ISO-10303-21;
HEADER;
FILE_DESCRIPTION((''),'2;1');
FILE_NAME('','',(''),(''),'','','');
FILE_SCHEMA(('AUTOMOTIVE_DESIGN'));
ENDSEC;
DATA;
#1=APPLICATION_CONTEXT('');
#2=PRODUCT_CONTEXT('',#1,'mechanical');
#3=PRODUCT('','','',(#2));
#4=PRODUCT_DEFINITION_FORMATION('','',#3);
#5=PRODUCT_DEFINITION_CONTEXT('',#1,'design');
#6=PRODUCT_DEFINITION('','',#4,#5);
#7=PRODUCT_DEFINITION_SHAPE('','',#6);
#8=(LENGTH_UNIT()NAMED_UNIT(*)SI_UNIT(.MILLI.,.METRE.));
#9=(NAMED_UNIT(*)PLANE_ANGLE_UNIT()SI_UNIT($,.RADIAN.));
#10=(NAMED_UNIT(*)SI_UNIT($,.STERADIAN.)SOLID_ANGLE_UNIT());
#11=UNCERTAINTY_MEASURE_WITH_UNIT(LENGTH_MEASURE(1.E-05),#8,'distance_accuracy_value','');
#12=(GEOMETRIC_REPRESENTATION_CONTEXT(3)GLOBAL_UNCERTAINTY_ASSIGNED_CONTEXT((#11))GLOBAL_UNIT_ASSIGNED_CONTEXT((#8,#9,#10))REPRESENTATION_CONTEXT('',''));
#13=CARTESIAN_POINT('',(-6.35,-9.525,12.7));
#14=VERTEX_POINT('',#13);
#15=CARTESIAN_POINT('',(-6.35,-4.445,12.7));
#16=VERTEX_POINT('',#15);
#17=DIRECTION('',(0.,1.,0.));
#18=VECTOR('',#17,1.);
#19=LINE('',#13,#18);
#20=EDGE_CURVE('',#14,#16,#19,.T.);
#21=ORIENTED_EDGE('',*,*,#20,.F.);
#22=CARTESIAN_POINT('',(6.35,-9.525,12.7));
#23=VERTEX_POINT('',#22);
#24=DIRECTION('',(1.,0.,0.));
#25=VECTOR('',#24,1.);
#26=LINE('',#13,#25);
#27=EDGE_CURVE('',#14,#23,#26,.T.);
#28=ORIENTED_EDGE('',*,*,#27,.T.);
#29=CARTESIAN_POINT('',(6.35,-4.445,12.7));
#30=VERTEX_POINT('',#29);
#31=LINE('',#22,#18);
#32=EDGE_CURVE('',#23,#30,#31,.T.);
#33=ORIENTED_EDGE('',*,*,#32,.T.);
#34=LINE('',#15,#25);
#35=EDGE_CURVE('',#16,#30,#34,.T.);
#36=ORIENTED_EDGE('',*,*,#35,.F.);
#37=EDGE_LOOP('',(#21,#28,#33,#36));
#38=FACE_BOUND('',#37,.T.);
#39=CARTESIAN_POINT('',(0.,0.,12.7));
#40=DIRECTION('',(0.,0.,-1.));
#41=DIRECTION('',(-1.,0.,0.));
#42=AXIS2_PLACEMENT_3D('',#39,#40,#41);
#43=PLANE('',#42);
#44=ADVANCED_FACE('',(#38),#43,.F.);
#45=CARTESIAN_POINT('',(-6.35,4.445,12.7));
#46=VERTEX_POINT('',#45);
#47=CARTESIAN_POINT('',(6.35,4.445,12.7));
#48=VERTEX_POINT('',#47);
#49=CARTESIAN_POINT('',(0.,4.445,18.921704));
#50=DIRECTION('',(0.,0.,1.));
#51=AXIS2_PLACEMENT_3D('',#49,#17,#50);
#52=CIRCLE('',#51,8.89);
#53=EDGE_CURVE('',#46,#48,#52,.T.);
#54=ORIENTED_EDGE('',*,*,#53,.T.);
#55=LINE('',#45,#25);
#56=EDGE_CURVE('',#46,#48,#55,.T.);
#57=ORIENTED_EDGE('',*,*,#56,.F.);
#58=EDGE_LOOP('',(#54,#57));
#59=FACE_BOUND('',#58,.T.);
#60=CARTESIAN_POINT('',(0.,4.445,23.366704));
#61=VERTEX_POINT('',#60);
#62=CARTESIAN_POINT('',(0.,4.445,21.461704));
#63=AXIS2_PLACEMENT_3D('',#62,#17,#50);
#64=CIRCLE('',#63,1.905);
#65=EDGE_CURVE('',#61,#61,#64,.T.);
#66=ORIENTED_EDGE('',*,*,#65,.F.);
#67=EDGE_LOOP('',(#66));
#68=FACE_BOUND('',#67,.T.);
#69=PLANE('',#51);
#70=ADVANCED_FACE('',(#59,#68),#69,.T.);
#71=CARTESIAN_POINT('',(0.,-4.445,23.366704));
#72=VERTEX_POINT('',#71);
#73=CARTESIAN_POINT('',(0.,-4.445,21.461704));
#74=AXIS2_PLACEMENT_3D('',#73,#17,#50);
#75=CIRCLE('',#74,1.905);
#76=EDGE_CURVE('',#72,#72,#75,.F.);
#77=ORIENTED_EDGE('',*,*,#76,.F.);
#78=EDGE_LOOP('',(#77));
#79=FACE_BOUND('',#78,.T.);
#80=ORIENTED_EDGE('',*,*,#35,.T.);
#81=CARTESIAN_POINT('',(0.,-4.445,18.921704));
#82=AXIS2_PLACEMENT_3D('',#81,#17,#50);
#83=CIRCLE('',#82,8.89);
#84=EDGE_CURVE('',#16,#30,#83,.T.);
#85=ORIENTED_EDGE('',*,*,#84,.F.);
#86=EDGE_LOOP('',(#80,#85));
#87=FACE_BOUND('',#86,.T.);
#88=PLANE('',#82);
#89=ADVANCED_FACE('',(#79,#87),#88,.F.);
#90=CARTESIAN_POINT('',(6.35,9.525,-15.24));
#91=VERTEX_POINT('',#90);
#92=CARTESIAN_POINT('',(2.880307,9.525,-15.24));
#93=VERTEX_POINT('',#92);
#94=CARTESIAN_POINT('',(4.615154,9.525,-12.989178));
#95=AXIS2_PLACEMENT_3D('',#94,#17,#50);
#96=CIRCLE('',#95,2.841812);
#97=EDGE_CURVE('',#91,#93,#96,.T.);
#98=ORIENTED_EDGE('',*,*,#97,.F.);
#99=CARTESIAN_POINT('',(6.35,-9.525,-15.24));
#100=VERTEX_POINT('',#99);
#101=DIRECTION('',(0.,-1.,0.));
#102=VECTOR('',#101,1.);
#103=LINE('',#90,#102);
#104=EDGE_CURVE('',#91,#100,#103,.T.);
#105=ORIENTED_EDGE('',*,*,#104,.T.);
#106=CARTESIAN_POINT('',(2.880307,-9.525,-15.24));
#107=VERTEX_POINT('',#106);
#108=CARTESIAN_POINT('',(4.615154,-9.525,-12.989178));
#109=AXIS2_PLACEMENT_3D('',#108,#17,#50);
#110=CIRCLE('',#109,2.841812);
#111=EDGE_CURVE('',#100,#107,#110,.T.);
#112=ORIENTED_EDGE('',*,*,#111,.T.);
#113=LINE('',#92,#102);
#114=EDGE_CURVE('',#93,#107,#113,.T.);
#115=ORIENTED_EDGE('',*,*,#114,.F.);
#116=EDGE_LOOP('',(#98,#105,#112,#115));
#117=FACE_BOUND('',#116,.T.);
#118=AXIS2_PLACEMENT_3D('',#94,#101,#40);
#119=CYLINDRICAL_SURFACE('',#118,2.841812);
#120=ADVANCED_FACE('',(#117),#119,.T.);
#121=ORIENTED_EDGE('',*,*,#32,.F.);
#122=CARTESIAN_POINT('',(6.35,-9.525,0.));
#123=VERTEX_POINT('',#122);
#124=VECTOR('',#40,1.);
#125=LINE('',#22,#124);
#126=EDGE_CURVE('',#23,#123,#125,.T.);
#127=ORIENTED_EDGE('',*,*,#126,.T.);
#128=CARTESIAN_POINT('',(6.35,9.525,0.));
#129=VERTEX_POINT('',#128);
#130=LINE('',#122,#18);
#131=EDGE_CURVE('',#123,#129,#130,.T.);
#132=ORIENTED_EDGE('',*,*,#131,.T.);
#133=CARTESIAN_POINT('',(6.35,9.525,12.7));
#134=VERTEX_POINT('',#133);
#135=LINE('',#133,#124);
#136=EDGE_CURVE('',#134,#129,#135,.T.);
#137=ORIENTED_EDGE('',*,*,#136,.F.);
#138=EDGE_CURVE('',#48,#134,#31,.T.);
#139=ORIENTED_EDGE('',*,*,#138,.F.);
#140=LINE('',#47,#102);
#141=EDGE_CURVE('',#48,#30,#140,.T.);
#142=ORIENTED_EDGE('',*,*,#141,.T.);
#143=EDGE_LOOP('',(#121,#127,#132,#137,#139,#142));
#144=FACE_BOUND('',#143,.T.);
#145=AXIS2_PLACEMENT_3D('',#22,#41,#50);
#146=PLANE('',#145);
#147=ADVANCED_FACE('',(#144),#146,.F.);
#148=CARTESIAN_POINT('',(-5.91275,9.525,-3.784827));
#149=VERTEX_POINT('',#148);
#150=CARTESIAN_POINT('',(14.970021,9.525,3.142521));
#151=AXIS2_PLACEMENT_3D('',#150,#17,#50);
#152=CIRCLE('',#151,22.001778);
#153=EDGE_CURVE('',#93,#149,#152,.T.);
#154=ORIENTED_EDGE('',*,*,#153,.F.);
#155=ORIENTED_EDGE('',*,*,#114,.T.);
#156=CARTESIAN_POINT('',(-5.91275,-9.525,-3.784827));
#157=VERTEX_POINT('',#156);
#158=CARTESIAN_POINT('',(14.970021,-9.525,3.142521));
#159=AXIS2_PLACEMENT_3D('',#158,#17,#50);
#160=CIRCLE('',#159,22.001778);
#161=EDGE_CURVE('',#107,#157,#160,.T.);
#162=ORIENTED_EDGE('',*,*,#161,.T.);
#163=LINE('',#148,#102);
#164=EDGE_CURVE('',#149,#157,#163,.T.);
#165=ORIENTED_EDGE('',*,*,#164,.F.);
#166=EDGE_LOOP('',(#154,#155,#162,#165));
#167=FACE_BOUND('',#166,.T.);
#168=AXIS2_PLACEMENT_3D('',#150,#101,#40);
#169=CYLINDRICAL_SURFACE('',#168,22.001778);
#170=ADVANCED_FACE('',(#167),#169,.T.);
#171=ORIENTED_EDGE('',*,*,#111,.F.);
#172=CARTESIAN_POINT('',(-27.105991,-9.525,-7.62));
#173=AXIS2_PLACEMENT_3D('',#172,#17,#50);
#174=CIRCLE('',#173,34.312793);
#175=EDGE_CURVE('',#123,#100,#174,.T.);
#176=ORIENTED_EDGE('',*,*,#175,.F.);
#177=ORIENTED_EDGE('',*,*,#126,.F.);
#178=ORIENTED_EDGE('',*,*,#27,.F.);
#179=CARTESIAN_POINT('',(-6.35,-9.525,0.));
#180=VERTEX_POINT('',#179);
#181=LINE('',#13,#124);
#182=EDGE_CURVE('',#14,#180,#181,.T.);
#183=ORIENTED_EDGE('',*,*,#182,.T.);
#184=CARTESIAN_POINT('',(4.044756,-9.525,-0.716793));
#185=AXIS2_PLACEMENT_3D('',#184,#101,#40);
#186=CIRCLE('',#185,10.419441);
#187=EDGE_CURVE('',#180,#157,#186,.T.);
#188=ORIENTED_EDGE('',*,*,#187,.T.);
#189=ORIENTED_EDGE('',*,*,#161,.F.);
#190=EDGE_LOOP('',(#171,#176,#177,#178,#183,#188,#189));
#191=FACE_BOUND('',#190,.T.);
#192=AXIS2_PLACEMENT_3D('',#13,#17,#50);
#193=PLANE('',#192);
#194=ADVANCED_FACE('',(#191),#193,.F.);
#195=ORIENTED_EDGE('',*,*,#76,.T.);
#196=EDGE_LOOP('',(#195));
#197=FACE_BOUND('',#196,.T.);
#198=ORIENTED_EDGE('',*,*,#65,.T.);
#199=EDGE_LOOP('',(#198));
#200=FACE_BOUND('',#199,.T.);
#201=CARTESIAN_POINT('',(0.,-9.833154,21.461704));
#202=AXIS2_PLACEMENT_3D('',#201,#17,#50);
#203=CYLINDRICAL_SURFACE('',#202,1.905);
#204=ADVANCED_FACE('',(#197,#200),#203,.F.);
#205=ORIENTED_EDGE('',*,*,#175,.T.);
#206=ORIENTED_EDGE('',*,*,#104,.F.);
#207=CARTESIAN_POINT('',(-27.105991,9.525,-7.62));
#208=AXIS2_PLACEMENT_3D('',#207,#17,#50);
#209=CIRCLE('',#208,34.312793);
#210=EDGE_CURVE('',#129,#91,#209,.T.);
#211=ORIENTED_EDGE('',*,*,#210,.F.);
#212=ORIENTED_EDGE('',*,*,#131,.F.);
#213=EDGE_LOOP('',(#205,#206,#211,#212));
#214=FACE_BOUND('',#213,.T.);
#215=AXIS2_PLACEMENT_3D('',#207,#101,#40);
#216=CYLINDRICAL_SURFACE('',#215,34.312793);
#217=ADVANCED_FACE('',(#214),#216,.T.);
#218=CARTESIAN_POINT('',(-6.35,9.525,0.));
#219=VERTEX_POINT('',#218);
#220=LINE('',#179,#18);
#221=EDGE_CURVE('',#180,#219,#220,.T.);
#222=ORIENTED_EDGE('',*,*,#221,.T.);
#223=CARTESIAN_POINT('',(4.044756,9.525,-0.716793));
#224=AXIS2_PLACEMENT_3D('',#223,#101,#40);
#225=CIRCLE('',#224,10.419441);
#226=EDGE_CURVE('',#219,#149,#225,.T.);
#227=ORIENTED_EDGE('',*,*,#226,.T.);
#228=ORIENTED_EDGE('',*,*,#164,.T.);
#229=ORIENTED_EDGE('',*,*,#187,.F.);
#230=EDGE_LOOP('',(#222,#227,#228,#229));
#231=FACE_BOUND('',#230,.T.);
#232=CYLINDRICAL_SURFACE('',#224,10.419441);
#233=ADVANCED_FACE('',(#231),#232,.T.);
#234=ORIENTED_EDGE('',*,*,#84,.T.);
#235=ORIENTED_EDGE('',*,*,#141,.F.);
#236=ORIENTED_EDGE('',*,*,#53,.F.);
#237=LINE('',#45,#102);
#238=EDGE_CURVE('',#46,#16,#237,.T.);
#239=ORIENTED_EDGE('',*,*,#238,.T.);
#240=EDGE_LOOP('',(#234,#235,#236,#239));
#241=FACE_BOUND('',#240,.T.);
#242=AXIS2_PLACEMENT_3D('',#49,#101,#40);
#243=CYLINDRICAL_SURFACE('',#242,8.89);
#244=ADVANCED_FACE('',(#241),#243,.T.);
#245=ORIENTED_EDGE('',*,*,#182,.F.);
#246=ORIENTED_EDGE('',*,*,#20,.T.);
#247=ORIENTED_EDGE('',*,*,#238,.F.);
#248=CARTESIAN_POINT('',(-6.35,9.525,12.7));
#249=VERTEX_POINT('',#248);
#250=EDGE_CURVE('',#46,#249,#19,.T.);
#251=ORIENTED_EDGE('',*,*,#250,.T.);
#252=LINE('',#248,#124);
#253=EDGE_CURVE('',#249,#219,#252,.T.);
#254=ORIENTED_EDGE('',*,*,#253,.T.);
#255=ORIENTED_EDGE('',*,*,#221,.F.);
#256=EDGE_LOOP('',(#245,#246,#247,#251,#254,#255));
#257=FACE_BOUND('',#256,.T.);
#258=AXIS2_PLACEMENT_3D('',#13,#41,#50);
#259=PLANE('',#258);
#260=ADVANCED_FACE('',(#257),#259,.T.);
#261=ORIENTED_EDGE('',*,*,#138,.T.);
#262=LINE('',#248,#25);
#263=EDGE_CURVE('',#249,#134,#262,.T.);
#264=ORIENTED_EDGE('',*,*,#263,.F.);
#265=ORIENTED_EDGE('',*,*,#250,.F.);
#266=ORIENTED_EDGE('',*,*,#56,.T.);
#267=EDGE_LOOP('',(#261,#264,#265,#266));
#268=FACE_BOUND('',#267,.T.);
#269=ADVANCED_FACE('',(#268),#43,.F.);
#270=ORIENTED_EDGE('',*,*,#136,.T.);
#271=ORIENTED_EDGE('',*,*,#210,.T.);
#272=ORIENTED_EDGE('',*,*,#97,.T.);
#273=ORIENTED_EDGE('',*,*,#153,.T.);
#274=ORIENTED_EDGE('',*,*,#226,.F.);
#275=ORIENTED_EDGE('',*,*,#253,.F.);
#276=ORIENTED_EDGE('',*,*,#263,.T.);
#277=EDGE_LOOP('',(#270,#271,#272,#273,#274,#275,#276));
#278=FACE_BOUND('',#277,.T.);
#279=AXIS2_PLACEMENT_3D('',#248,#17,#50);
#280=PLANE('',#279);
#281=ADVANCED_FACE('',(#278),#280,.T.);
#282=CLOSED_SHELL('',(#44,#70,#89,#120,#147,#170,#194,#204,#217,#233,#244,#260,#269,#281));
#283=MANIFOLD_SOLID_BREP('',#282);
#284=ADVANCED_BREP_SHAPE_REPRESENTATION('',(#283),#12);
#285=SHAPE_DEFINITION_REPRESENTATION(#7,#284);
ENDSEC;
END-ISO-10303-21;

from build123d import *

# Parameters (mm, degrees)
SKETCH1_W                = 12.7
SKETCH1_H                = 19.05
BOSS_EXTRUDE1_DEPTH      = 12.7
BOSS_EXTRUDE3_DEPTH      = 4.445
BOSS_EXTRUDE3_DEPTH_BACK = 14.605
BOSS_EXTRUDE5_DEPTH      = 4.445
SKETCH9_R                = 1.905
CUT_EXTRUDE1_DEPTH       = 8.89


with BuildPart() as part:
    # Sketch1 → Boss-Extrude1 (new body)
    with BuildSketch(Plane.XY):
        Rectangle(SKETCH1_W, SKETCH1_H)
    extrude(amount=BOSS_EXTRUDE1_DEPTH)

    # Sketch5 → Boss-Extrude3 (add, two sides)
    with BuildSketch(Plane(origin=(0, 5.08, 0), x_dir=(1, 0, 0), z_dir=(0, 1, 0))) as boss_extrude3_sk:
        with BuildLine():
            Line((-6.35, 0), (6.35, 0))
            ThreePointArc((6.35, 0), (7.206801568, 7.62), (6.35, 15.24))
            ThreePointArc((6.35, 15.24), (4.615153625, 15.830989255), (2.88030725, 15.24))
            ThreePointArc((2.88030725, 15.24), (-2.482813439, 10.254375056), (-5.912749562, 3.784826555))
            ThreePointArc((-5.912749562, 3.784826555), (-6.305841352, 1.912568913), (-6.35, 0))
        make_face()
    extrude(amount=BOSS_EXTRUDE3_DEPTH)
    extrude(boss_extrude3_sk.sketch, amount=-BOSS_EXTRUDE3_DEPTH_BACK)

    # Sketch8 → Boss-Extrude5 (add, symmetric)
    with BuildSketch(Plane(origin=(0, 0, 0), x_dir=(1, 0, 0), z_dir=(0, 1, 0))):
        with BuildLine():
            Line((-6.35, -12.7), (6.35, -12.7))
            ThreePointArc((6.35, -12.7), (0, -27.811703947), (-6.35, -12.7))
        make_face()
    extrude(amount=BOSS_EXTRUDE5_DEPTH, both=True)

    # Sketch9 → Cut-Extrude1 (cut)
    with BuildSketch(Plane(origin=(0, 4.445, 0), x_dir=(1, 0, 0), z_dir=(0, 1, 0))):
        with Locations(Location((0, -21.461703947, 0), (0, 0, 270))):  # turned: the seam where the file's is
            Circle(SKETCH9_R)
    extrude(amount=-CUT_EXTRUDE1_DEPTH, mode=Mode.SUBTRACT)


solid = part.part
